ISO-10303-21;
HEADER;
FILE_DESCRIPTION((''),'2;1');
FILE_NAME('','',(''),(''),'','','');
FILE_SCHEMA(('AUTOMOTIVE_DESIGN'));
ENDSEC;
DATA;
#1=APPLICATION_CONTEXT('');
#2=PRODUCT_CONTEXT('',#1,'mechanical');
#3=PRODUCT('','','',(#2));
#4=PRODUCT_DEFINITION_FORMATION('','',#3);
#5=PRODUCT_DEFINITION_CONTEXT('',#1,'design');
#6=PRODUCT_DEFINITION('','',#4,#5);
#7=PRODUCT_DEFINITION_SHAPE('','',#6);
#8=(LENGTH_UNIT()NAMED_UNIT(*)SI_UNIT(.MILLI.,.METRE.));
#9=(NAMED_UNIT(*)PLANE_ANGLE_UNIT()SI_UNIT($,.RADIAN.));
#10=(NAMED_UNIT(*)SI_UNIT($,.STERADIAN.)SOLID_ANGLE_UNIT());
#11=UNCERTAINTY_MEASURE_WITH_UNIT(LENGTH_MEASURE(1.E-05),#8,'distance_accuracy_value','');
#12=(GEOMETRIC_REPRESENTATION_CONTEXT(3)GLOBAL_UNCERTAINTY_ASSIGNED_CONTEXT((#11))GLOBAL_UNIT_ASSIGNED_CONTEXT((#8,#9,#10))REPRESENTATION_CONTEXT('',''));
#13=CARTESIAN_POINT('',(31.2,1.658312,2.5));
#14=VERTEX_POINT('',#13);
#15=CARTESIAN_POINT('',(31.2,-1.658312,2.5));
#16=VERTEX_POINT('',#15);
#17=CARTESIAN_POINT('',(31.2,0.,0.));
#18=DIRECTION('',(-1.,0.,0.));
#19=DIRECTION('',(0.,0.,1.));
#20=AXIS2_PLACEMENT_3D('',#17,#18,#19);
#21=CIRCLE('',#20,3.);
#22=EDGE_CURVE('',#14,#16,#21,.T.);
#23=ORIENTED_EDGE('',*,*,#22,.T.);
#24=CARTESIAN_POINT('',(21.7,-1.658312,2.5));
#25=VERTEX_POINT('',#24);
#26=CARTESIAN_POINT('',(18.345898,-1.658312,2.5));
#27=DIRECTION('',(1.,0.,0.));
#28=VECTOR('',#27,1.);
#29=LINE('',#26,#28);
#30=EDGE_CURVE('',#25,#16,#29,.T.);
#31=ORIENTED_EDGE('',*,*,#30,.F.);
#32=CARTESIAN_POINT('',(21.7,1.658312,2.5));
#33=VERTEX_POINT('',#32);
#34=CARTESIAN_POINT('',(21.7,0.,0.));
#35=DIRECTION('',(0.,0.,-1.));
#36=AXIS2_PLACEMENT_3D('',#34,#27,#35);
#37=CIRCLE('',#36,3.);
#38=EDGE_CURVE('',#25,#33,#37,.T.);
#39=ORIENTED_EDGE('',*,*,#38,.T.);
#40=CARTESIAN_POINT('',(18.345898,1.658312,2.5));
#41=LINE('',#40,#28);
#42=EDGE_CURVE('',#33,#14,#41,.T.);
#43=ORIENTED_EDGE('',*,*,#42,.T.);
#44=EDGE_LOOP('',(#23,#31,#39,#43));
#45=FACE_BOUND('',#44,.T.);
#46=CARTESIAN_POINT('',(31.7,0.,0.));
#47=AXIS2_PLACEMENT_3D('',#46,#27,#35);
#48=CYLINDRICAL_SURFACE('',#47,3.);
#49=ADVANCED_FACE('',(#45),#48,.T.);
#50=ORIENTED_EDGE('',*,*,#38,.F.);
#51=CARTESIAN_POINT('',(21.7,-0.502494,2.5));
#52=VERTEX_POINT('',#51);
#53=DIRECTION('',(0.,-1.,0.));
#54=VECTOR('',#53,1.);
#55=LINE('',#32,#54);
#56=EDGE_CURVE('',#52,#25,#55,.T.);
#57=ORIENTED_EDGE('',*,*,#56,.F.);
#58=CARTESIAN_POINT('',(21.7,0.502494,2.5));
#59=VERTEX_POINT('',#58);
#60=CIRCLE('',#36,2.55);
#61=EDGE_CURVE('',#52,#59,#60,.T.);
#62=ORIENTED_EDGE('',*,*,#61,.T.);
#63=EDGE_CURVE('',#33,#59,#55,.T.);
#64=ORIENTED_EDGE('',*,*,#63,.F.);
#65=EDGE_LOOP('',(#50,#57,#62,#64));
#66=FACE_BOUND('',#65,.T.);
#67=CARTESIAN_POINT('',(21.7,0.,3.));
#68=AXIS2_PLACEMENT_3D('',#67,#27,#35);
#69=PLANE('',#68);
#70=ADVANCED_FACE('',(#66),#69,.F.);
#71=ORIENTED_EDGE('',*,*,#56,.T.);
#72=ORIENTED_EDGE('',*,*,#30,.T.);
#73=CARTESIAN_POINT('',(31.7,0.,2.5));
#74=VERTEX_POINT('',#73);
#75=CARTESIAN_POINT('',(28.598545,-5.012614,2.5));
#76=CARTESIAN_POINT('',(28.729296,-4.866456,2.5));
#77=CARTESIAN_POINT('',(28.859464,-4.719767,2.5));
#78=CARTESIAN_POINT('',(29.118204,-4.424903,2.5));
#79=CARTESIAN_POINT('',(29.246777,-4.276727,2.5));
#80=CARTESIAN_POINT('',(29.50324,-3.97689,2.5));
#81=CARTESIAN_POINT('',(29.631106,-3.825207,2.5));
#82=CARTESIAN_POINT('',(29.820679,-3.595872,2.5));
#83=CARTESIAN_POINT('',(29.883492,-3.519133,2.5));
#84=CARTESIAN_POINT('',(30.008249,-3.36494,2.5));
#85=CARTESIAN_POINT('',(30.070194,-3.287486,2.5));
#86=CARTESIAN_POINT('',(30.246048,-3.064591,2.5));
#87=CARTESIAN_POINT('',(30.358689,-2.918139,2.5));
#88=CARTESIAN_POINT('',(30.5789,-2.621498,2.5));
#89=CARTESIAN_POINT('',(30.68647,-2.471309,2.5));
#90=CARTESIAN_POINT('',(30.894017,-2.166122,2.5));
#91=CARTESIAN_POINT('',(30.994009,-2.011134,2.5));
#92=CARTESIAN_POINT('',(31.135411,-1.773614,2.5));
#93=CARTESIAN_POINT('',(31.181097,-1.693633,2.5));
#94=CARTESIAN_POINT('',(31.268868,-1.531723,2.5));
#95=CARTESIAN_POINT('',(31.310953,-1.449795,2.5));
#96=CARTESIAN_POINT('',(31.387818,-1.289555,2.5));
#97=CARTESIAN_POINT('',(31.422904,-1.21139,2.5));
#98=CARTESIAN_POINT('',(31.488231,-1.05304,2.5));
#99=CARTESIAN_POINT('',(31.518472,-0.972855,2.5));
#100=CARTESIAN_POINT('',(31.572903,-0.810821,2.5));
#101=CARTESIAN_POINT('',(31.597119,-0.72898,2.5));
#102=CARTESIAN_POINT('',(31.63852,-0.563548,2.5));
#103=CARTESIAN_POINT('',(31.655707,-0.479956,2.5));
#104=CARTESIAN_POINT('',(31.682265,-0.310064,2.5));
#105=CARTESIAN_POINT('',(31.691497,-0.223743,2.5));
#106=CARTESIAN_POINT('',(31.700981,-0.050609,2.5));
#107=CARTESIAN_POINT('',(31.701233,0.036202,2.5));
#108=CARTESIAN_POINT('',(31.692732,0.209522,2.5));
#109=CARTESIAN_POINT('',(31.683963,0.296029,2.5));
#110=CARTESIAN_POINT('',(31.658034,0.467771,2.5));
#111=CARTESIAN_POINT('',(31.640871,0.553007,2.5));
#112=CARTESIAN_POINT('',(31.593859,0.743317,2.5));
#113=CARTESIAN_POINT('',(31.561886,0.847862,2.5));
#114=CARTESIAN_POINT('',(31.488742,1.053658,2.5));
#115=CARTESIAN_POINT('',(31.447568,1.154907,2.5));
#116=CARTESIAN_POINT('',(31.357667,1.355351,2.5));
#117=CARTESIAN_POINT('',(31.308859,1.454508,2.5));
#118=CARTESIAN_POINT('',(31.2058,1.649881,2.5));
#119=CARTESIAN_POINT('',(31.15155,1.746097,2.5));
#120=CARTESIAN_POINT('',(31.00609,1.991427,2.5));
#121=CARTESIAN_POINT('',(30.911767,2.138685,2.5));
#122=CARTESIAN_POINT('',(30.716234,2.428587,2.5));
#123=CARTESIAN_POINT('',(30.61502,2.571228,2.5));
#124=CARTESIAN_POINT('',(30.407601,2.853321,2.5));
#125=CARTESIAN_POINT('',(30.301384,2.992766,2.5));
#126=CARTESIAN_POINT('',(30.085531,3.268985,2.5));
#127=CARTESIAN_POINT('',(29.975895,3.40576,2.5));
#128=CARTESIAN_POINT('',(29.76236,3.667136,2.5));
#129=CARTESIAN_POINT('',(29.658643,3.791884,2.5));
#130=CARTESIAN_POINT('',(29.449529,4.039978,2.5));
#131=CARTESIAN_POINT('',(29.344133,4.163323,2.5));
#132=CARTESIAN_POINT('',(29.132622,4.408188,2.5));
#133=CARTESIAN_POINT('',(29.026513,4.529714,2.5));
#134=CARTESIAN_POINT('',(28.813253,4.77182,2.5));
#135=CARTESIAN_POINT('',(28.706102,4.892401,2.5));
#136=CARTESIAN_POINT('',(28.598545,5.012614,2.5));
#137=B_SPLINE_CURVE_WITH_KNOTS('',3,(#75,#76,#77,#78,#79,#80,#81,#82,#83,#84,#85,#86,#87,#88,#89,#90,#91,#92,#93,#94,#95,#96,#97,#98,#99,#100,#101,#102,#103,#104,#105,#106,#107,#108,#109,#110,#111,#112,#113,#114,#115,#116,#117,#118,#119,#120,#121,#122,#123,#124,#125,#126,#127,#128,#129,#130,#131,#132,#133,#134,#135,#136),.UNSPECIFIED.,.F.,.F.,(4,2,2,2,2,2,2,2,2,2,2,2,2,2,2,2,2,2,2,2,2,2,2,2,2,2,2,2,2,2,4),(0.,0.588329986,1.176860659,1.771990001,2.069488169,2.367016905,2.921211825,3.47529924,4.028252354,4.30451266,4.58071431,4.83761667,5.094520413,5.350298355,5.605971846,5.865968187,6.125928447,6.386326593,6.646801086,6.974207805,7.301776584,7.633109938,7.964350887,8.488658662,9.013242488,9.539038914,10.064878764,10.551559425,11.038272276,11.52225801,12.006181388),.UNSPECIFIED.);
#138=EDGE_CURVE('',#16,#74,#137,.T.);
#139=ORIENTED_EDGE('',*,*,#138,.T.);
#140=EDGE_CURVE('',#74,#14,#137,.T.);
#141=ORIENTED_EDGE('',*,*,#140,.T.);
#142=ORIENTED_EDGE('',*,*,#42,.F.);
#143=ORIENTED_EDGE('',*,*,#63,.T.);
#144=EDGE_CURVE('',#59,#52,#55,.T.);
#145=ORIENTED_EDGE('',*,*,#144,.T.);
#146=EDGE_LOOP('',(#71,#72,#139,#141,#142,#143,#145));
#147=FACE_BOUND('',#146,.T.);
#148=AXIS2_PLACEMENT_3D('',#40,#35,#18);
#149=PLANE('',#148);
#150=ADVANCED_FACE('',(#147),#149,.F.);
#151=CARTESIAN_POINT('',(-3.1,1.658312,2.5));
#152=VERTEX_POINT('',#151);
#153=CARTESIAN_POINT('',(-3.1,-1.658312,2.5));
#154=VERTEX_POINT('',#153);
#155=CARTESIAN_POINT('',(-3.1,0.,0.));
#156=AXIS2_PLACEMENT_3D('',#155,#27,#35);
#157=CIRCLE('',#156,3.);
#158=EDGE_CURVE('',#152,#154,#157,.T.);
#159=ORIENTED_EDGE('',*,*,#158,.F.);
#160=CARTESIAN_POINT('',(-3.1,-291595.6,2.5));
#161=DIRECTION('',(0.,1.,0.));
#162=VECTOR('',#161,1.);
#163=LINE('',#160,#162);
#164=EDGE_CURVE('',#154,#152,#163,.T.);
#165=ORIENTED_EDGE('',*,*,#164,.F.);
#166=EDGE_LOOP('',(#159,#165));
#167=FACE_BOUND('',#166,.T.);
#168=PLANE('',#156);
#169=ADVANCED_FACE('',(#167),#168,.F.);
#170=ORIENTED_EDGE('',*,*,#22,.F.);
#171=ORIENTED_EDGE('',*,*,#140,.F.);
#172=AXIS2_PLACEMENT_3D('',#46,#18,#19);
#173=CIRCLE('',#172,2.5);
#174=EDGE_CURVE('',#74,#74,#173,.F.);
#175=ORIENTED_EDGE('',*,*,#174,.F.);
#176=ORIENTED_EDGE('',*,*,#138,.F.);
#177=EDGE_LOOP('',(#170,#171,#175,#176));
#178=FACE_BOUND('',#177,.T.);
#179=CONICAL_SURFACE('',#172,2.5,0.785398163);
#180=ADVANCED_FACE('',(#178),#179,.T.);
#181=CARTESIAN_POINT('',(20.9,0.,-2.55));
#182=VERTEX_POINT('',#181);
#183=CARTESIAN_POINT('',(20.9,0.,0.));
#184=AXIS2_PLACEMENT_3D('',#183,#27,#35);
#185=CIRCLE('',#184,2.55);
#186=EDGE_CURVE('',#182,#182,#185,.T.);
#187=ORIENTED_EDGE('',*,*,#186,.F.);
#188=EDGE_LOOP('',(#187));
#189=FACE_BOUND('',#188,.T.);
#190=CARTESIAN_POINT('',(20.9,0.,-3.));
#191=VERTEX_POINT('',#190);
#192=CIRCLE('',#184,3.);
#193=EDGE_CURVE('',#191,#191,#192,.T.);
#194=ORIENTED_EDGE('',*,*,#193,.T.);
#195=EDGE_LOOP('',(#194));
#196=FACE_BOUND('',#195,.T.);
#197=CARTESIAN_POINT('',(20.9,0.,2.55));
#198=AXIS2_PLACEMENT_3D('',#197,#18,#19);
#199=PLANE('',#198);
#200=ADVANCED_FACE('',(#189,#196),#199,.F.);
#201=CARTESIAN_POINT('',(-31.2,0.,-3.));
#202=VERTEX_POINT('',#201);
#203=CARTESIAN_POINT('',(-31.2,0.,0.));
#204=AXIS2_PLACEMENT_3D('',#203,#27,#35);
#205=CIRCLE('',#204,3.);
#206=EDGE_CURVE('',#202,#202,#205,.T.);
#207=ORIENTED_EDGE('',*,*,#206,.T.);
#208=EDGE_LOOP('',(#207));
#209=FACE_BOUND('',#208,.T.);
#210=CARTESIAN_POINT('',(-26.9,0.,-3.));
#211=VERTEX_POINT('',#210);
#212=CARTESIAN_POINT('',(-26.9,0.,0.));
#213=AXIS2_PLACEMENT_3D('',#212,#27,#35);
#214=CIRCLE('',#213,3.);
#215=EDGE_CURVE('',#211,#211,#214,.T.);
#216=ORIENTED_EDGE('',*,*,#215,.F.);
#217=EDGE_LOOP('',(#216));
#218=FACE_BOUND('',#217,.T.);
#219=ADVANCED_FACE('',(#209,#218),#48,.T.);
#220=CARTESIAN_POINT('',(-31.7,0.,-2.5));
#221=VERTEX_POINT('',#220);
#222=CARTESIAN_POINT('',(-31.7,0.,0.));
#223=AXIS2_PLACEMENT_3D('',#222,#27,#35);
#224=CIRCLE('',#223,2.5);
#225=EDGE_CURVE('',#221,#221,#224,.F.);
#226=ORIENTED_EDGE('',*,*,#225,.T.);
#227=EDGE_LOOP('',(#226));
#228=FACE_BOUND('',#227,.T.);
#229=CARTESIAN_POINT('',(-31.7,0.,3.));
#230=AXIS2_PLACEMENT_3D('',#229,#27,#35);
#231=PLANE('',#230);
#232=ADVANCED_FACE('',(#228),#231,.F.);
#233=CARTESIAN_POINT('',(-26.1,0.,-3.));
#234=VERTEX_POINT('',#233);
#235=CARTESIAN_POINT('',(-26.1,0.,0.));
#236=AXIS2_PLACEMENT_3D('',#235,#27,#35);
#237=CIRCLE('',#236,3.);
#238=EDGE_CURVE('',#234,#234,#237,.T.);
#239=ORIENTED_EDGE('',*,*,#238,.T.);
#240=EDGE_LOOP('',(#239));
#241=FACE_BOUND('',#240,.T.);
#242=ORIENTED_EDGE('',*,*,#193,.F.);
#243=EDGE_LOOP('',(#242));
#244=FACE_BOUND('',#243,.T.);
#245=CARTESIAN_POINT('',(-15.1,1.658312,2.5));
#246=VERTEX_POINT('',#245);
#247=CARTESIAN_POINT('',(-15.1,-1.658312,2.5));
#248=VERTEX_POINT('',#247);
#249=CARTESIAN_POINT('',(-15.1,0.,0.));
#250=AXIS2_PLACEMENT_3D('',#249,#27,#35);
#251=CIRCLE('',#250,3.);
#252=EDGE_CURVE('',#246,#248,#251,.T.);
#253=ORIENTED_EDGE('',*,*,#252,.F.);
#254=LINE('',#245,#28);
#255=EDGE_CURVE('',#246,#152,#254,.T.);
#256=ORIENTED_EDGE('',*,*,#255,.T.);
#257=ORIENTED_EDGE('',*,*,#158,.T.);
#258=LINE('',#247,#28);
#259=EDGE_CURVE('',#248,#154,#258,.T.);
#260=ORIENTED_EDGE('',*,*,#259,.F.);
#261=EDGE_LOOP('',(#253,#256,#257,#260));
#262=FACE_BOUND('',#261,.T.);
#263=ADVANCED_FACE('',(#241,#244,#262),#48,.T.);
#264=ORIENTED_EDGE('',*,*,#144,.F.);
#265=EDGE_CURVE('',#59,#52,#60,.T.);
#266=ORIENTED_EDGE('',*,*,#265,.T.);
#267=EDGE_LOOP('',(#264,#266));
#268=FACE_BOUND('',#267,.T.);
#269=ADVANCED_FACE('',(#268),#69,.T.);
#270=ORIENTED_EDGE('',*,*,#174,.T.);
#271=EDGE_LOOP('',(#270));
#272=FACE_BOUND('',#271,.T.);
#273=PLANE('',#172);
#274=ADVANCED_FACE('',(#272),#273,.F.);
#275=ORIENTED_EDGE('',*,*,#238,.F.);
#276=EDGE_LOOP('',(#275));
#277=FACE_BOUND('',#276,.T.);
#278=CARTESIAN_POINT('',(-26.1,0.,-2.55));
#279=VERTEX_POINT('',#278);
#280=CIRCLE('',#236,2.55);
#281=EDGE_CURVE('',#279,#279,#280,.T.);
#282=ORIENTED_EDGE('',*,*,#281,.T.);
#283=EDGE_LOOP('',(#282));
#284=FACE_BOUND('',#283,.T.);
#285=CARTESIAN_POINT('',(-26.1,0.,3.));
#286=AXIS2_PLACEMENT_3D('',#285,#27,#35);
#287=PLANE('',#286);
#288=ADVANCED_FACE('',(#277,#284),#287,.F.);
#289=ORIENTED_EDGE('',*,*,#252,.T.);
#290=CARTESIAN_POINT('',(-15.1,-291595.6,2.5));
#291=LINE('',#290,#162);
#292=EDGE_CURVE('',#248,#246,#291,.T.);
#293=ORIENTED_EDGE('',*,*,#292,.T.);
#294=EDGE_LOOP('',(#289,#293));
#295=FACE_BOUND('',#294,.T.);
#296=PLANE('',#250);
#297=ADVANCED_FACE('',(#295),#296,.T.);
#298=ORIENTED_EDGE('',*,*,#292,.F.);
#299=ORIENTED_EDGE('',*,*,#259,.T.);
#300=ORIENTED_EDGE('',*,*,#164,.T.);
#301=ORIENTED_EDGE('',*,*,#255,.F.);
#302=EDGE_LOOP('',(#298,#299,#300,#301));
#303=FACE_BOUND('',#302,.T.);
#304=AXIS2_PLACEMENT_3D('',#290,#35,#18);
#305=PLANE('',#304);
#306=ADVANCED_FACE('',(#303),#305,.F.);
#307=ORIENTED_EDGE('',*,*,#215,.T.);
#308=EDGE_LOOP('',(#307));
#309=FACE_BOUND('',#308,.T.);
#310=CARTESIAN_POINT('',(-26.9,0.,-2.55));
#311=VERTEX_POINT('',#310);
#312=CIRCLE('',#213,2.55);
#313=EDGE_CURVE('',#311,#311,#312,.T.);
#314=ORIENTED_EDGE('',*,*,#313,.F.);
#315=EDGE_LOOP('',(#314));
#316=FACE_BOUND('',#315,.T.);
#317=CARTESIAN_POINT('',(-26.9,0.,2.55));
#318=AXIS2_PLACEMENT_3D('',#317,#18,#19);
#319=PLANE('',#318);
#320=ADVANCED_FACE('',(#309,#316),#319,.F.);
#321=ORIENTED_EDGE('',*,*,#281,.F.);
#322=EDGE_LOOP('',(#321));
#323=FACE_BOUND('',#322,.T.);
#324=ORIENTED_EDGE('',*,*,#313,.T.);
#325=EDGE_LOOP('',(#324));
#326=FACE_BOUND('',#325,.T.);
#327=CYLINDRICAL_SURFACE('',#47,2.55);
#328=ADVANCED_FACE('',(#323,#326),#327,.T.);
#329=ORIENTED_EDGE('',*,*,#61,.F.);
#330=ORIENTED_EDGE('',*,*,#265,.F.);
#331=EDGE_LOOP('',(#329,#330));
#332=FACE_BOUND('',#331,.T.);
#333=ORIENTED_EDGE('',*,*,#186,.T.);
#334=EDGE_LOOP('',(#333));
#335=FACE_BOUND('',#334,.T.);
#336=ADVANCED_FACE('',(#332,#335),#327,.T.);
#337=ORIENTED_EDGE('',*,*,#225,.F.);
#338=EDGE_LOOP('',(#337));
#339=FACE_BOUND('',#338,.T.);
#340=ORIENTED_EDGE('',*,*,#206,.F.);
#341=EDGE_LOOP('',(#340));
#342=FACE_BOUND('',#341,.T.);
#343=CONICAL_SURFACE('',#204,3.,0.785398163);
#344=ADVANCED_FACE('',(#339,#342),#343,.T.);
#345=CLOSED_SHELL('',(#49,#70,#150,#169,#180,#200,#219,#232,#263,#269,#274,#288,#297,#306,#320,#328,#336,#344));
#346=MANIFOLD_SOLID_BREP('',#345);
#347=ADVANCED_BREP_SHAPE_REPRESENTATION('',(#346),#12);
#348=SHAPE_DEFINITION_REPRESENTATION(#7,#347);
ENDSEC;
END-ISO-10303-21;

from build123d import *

# Parameters (mm, degrees)
CHAFL_N1_SIZE         = 0.5
CORTAR_EXTRUIR1_START = -10
CORTAR_EXTRUIR1_DEPTH = 10
CORTAR_EXTRUIR2_START = -46.8
CORTAR_EXTRUIR2_DEPTH = 12


with BuildPart() as part:
    # Croquis1 → Revolución1 (revolve)
    with BuildSketch(Plane(origin=(0, 0, 0), x_dir=(-1, 0, 0), z_dir=(0, 1, 0)), mode=Mode.PRIVATE) as revoluci_n1_sk:
        Polygon((-31.7, 0), (-31.7, 3), (-21.7, 3), (-21.7, 2.55), (-20.9, 2.55), (-20.9, 3), (26.1, 3), (26.1, 2.55), (26.9, 2.55), (26.9, 3), (31.7, 3), (31.7, 0), align=None)
    revolve(revoluci_n1_sk.sketch.rotate(Axis((31.7, 0, 0), (-1, 0, 0)), 180), axis=Axis((31.7, 0, 0), (-1, 0, 0)))

    # Chaflán1
    chafl_n1_edges = [part.edges().sort_by_distance(p)[0] for p in [
        (31.7, 0, 3),
        (-31.7, 0, 3),
    ]]
    chamfer(chafl_n1_edges, length=CHAFL_N1_SIZE)

    # Croquis2 → Cortar-Extruir1 (cut)
    with BuildSketch(Plane.YZ.offset(31.7).offset(CORTAR_EXTRUIR1_START)):
        with BuildLine():
            Line((1.658312395, 2.5), (-1.658312395, 2.5))
            ThreePointArc((-1.658312395, 2.5), (0, 3), (1.658312395, 2.5))
        make_face()
    extrude(amount=CORTAR_EXTRUIR1_DEPTH, mode=Mode.SUBTRACT)

    # Croquis2<2> → Cortar-Extruir2 (cut)
    with BuildSketch(Plane.YZ.offset(31.7).offset(CORTAR_EXTRUIR2_START)):
        with BuildLine():
            Line((1.658312395, 2.5), (-1.658312395, 2.5))
            ThreePointArc((-1.658312395, 2.5), (0, 3), (1.658312395, 2.5))
        make_face()
    extrude(amount=CORTAR_EXTRUIR2_DEPTH, mode=Mode.SUBTRACT)


solid = part.part
